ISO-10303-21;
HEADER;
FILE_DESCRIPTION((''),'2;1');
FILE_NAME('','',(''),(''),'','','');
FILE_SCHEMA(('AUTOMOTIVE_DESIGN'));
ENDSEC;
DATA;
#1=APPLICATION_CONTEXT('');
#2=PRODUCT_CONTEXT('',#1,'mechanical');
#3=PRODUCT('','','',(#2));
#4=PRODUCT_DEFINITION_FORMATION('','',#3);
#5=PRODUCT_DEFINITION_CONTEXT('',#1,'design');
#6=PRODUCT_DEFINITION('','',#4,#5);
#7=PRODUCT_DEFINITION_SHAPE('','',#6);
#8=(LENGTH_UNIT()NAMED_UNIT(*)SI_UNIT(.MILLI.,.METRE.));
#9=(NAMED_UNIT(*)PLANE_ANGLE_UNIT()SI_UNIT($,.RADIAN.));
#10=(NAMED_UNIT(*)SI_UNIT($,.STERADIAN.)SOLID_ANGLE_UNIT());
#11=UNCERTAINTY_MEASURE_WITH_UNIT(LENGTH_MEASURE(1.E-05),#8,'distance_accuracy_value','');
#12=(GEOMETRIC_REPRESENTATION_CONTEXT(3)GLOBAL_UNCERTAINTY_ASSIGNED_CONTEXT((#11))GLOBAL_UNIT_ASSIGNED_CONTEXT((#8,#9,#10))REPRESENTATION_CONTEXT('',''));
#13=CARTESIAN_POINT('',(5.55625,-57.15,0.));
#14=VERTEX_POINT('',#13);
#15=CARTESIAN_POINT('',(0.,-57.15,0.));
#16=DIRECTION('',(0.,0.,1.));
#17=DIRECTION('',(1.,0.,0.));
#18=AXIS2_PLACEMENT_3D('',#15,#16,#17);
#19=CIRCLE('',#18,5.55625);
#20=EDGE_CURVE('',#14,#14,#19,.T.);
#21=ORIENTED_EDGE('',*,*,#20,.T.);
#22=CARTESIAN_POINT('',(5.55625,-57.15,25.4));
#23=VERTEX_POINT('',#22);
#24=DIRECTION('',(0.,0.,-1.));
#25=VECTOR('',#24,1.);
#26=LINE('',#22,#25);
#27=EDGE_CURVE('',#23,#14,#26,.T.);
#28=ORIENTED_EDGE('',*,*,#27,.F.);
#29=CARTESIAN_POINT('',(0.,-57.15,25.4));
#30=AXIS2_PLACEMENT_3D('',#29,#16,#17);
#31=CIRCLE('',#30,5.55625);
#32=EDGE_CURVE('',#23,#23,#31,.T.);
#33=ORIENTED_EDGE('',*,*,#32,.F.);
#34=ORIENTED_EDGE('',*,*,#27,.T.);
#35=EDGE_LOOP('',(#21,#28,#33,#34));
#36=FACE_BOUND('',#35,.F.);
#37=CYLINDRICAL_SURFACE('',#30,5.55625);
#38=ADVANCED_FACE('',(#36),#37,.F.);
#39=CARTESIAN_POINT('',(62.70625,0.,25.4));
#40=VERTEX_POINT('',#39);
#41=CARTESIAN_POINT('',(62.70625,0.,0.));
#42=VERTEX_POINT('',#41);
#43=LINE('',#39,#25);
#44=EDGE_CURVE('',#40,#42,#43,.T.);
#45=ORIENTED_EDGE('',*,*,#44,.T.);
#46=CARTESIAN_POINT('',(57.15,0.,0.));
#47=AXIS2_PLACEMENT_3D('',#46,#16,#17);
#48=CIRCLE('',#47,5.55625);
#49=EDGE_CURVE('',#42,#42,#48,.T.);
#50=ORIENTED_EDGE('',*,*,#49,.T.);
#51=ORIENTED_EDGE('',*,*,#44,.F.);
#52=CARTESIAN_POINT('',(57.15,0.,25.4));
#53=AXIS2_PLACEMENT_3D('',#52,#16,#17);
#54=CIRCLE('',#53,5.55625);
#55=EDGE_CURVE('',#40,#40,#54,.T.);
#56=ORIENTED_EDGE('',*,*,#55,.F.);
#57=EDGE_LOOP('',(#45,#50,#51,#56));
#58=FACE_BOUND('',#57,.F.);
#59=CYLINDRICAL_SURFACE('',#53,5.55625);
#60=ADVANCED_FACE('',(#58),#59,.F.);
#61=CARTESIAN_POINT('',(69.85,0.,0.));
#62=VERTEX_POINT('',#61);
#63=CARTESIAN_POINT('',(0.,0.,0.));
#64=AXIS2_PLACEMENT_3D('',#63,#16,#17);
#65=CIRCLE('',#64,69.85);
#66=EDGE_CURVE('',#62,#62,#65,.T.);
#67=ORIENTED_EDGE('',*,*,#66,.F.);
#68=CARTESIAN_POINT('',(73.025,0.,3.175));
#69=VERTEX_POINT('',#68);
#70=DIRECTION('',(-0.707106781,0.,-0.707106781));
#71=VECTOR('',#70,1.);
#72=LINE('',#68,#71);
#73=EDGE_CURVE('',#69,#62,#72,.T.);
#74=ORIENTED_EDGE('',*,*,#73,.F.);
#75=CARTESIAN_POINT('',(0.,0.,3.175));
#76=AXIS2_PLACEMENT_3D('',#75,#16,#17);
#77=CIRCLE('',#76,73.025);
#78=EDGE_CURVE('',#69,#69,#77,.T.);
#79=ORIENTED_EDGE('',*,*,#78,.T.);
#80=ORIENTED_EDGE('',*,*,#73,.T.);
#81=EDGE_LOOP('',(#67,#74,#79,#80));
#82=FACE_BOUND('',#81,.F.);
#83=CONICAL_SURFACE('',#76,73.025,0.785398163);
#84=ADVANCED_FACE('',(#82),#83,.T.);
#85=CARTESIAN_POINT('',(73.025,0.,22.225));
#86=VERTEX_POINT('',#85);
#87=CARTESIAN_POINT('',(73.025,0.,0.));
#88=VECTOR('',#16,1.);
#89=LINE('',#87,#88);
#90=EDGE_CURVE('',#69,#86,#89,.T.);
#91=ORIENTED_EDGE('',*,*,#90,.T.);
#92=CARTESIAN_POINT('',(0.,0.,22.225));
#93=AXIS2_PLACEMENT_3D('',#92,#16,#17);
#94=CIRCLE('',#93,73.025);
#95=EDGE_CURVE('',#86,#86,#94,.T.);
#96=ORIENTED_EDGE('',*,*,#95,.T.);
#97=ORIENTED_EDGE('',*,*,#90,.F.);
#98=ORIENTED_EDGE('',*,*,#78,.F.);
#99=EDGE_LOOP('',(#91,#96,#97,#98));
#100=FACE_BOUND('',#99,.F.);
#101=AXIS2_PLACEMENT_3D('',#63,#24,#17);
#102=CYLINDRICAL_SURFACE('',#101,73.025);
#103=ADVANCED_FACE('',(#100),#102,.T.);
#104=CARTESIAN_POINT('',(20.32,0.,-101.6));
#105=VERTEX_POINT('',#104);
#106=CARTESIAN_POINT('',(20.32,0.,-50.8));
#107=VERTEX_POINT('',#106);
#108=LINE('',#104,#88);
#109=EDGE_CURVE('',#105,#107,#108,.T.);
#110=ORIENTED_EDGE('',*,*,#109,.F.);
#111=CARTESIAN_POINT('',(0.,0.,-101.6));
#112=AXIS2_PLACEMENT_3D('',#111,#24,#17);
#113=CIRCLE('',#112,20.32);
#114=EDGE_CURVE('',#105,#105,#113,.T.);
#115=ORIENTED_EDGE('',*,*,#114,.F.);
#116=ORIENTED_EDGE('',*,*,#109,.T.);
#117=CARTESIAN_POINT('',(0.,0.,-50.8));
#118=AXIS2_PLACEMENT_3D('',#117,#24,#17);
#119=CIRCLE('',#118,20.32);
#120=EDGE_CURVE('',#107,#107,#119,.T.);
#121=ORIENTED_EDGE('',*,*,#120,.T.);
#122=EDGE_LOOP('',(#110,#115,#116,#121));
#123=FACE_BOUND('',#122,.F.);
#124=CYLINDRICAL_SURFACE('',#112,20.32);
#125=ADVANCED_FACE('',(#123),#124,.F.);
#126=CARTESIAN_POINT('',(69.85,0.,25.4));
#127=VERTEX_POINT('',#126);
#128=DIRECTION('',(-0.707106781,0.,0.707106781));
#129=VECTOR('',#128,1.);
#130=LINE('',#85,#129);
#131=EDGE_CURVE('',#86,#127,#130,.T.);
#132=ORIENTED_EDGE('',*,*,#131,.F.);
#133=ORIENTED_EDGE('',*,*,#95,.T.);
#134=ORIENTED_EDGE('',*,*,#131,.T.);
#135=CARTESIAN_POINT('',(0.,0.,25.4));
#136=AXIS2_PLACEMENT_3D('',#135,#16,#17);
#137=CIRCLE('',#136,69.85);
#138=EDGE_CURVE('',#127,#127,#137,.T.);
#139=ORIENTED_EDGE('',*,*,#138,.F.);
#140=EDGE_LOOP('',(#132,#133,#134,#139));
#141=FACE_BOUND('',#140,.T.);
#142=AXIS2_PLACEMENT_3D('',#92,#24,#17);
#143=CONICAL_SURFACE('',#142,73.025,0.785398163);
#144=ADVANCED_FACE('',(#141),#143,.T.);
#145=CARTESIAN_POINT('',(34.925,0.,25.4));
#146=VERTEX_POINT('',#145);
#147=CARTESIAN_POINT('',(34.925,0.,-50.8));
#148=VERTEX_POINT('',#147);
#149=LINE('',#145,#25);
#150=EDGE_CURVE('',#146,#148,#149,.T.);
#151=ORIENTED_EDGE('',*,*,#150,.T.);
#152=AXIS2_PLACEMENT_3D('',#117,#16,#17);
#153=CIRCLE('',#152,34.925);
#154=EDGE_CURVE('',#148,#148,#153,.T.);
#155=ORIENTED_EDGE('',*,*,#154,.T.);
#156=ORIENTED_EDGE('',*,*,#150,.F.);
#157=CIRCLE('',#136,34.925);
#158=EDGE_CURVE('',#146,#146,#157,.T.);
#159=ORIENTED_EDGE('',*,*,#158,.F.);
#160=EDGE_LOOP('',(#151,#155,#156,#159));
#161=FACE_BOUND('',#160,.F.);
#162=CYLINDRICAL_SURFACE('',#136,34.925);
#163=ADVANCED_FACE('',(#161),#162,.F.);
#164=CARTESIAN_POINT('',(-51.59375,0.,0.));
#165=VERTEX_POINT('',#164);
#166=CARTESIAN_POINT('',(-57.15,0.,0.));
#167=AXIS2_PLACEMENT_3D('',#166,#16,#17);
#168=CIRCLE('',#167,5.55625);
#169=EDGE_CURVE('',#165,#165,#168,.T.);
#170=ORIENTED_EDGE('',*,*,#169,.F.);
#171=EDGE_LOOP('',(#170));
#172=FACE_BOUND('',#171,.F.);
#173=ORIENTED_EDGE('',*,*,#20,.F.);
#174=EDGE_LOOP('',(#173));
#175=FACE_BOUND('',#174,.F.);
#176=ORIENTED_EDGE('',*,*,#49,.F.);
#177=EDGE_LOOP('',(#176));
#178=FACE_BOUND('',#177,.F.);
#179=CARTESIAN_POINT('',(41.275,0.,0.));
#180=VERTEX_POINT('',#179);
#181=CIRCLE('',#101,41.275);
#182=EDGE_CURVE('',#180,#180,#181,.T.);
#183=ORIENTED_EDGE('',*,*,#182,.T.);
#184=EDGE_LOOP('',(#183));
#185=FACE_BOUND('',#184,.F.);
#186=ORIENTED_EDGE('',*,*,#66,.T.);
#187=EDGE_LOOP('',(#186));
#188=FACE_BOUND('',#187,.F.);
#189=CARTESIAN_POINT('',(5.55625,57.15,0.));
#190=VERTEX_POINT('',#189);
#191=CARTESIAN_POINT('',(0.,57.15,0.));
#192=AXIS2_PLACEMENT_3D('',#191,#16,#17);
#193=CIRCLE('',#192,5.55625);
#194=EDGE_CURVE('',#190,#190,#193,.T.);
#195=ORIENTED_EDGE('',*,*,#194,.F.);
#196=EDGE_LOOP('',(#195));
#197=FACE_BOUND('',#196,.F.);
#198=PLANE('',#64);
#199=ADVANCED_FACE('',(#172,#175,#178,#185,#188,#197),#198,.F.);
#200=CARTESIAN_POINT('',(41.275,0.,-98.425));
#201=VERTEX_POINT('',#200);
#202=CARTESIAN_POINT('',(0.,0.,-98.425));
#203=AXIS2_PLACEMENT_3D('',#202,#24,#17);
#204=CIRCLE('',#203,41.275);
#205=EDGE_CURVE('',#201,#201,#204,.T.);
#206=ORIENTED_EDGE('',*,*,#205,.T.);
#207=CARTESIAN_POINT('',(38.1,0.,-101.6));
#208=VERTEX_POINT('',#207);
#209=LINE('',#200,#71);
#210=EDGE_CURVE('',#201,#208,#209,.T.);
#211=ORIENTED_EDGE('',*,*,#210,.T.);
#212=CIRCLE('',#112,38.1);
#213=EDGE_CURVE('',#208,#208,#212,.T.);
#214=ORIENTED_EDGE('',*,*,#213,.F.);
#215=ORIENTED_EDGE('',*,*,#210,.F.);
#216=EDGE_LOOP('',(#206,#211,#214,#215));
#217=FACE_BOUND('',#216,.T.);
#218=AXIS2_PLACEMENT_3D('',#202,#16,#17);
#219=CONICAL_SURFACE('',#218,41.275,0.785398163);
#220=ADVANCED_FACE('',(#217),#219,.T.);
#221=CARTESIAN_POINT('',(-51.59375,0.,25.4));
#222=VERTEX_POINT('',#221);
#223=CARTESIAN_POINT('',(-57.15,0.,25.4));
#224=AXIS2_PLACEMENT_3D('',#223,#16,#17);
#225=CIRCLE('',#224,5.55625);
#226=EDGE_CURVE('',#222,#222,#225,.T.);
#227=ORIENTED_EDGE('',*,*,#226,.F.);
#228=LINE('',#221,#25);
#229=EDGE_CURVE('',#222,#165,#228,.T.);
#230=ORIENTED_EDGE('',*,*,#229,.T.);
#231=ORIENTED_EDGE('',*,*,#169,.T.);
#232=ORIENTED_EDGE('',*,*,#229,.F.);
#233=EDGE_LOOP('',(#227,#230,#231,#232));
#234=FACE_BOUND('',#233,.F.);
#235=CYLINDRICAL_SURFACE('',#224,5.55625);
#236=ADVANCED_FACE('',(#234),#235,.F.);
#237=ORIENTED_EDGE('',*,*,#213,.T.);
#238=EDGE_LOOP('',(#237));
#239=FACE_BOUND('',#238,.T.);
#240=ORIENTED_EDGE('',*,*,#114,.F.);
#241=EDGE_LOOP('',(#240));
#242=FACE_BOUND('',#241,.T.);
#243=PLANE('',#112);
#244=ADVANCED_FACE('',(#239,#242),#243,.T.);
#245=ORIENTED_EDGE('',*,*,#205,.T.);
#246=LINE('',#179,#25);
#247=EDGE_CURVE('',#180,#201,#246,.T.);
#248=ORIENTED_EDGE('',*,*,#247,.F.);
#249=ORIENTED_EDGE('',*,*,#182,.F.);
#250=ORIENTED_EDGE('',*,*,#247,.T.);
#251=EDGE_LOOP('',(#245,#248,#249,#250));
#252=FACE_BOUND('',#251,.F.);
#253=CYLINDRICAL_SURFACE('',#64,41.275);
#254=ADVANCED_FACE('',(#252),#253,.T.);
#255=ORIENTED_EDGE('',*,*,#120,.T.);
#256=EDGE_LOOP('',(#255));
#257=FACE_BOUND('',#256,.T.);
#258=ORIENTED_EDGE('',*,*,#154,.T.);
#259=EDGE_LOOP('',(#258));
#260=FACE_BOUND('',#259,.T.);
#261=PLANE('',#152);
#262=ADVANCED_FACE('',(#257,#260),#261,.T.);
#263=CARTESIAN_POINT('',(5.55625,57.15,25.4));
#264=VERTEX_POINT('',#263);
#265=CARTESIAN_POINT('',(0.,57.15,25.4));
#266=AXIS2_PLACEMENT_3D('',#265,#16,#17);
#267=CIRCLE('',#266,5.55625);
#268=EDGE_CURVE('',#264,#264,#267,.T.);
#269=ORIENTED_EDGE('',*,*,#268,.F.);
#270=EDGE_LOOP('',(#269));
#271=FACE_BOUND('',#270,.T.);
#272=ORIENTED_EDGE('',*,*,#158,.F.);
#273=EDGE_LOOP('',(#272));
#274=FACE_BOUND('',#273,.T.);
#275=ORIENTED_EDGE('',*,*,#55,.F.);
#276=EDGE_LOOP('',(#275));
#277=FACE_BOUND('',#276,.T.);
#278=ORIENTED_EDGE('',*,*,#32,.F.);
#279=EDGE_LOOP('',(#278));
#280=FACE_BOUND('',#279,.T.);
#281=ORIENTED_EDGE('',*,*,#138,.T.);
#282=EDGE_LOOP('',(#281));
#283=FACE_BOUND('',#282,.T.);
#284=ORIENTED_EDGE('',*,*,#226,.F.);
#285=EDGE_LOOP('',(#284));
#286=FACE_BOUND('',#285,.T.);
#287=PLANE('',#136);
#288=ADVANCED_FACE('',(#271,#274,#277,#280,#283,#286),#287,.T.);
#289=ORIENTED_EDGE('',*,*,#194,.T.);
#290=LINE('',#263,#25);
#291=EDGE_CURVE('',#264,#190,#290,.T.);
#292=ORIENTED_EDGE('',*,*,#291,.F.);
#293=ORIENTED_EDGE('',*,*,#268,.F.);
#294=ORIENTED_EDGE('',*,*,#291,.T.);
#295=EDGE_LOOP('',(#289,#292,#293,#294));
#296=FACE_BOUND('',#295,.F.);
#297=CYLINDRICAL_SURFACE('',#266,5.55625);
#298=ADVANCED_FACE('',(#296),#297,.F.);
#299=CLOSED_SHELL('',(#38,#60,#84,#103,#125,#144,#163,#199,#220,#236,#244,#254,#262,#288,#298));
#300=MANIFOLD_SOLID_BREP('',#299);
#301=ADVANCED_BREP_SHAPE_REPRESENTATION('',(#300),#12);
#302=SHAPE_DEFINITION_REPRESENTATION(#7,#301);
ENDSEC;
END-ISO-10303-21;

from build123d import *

# Parameters (mm, degrees)
F0_R     = 73.025
F1_DEPTH = 25.4
F2_R     = 41.275
F3_DEPTH = 101.6
F4_R     = 20.32
F5_DEPTH = 127.001
F6_R     = 5.55625
F6_R_2   = 34.925
F7_DEPTH = 76.2
F8_SIZE  = 3.175


with BuildPart() as f1:
    # F0 (on Top) → F1 (new body)
    with BuildSketch(Plane.XY):
        Circle(F0_R)
    extrude(amount=F1_DEPTH)

    # F2 (on face) → F3 (join)
    with BuildSketch(Plane(origin=(0, 0, 0), x_dir=(1, 0, 0), z_dir=(0, 0, -1))):
        Circle(F2_R)
    extrude(amount=F3_DEPTH)

    # F4 (on face) → F5 (cut, through all)
    with BuildSketch(Plane(origin=(0, 0, -101.6), x_dir=(1, 0, 0), z_dir=(0, 0, -1))):
        Circle(F4_R)
    extrude(amount=-F5_DEPTH, mode=Mode.SUBTRACT)

    # F6 (on face) → F7 (cut)
    with BuildSketch(Plane.XY.offset(25.4)):
        with Locations((-57.15, 0)):
            Circle(F6_R)
        with Locations((0, 57.15)):
            Circle(F6_R)
        with Locations((57.15, 0)):
            Circle(F6_R)
        with Locations((0, -57.15)):
            Circle(F6_R)
        Circle(F6_R_2)
    extrude(amount=-F7_DEPTH, mode=Mode.SUBTRACT)

    # F8
    f8_edges = [f1.edges().sort_by_distance(p)[0] for p in [
        (-73.025, 0, 25.4),
        (-73.025, 0, 0),
        (-41.275, 0, -101.6),
    ]]
    chamfer(f8_edges, length=F8_SIZE)


solid = f1.part
